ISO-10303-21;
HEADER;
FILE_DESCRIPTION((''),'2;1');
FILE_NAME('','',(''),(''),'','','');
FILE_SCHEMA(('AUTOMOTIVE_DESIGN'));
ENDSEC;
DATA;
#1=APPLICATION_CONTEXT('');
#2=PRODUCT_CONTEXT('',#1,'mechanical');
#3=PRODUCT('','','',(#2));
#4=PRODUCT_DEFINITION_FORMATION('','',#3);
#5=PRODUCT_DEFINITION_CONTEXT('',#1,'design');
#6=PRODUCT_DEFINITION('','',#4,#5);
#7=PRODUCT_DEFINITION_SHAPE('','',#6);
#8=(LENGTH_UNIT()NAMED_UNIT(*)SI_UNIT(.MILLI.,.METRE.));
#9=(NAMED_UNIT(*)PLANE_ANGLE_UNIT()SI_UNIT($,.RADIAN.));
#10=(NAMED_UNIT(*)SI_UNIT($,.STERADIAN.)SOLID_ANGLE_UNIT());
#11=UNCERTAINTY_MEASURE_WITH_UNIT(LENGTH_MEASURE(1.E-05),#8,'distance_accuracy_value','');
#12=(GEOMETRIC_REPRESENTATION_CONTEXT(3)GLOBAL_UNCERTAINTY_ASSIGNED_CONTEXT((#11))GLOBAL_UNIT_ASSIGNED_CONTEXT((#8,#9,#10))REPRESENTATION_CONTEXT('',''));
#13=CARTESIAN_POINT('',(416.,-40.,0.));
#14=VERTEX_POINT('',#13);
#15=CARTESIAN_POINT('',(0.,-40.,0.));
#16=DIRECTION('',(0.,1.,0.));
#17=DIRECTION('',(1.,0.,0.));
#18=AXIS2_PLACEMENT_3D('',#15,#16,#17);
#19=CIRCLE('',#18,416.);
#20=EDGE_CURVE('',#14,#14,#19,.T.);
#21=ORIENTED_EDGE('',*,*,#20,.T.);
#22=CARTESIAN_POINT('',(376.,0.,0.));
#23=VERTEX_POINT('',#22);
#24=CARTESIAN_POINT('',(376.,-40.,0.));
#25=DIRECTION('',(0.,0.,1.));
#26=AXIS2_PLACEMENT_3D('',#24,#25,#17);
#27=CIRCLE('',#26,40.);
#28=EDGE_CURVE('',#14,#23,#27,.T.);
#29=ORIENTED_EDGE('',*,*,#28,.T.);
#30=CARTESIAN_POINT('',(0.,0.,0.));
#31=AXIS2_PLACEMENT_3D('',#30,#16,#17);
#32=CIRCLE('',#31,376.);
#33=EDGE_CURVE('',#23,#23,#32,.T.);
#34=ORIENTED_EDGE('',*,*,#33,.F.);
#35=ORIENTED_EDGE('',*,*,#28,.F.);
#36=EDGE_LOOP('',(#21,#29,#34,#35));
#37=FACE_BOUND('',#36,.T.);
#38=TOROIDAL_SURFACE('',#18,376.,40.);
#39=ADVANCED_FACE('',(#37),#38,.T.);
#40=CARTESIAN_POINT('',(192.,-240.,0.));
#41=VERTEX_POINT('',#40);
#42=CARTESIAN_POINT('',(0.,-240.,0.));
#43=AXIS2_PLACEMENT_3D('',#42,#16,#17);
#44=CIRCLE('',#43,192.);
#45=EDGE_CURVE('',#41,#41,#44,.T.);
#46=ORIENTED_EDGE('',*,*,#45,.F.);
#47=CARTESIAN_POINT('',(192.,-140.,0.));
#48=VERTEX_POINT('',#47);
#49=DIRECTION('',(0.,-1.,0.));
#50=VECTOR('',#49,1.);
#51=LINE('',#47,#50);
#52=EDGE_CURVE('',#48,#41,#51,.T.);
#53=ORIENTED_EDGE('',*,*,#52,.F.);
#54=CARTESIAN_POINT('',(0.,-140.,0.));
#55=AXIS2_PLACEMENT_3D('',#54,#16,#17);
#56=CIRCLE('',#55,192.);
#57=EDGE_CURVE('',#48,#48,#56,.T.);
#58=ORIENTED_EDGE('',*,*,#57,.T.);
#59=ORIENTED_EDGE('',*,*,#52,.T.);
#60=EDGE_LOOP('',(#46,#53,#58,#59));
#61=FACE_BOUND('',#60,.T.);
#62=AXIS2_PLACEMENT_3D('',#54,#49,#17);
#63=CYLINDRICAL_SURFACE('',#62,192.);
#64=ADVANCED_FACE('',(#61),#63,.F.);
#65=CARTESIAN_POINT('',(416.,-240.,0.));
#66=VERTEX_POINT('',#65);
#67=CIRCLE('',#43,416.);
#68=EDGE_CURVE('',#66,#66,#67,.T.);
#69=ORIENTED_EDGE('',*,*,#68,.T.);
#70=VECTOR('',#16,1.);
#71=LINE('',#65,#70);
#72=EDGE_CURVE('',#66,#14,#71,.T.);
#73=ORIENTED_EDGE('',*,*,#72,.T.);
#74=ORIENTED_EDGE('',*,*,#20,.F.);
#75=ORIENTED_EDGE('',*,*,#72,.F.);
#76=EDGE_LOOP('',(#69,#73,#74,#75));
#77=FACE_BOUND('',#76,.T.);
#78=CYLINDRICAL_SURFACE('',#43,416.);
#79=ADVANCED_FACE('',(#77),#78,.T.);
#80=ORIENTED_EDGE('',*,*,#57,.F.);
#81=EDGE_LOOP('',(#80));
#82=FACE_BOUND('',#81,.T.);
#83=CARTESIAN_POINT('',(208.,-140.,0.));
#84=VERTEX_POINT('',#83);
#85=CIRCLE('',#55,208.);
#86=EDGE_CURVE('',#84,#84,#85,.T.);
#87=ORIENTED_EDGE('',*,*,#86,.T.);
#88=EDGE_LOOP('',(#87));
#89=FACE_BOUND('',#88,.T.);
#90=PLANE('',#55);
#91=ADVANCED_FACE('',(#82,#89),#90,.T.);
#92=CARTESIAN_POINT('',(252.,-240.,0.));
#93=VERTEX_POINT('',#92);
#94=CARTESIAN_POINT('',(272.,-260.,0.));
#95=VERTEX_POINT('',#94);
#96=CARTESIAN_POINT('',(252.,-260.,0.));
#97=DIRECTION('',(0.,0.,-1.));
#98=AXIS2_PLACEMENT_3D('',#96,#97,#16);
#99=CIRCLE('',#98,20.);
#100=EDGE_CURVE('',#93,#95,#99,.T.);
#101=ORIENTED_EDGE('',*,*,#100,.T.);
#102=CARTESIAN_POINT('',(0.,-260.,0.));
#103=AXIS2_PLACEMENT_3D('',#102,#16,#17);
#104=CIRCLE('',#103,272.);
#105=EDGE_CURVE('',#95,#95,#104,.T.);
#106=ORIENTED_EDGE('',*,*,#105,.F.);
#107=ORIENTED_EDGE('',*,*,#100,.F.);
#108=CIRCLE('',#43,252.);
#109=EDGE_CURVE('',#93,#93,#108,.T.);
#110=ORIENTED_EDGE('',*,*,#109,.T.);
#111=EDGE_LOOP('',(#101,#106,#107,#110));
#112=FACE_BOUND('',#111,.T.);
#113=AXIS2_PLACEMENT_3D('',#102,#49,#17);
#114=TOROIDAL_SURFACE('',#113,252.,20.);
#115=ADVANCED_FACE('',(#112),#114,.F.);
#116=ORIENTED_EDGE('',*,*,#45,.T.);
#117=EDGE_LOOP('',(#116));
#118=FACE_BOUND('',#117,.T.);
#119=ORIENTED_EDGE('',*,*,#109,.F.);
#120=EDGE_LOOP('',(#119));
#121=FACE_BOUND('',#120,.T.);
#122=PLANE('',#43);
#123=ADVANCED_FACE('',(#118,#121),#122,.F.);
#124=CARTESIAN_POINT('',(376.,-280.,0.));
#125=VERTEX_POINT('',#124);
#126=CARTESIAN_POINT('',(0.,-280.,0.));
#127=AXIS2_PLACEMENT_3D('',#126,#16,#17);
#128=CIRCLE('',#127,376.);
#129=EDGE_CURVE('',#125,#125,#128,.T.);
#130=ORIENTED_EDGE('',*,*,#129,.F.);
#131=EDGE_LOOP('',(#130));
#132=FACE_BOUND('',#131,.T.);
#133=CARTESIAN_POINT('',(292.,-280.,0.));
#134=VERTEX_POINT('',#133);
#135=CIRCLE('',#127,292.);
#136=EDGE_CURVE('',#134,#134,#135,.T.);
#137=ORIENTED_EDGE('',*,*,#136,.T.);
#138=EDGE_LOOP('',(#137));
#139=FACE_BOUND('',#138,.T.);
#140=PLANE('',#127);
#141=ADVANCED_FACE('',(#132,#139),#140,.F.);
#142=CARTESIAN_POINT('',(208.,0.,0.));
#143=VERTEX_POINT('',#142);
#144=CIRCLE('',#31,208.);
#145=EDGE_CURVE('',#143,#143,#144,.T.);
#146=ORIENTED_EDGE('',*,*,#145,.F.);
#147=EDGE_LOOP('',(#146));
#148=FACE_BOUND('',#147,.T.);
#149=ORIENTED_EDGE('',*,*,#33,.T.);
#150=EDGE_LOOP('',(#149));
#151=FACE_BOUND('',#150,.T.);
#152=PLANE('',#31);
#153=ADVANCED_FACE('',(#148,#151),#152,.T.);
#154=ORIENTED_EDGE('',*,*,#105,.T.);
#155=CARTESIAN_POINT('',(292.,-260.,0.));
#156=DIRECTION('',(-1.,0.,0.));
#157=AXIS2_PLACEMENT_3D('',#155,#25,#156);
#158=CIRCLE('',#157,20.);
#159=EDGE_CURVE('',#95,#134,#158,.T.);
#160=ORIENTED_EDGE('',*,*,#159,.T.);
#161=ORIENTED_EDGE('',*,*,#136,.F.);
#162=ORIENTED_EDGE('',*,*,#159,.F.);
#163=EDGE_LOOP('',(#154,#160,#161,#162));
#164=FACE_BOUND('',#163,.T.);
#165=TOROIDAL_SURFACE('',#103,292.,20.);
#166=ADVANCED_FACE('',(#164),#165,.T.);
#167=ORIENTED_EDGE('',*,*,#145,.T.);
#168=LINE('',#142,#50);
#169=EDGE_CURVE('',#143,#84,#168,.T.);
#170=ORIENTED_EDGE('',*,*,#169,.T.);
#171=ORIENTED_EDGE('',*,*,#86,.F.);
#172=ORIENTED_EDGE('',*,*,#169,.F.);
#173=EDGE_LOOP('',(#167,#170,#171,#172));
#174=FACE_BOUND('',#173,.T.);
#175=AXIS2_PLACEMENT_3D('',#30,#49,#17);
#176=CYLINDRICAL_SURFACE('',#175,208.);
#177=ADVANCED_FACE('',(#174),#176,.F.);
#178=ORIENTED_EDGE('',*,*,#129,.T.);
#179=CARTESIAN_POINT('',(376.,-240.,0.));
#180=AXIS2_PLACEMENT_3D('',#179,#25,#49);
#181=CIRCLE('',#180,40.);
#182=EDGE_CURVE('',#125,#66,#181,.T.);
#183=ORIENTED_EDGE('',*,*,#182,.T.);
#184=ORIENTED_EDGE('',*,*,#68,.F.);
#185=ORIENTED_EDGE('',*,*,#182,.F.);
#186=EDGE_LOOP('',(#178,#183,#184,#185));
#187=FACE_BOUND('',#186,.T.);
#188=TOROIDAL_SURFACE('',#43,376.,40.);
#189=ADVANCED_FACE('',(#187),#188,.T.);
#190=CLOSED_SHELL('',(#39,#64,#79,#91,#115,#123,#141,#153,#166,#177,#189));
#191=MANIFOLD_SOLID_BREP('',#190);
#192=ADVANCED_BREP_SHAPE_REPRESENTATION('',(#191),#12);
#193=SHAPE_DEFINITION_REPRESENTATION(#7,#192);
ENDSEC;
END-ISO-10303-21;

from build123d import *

# Parameters (mm, degrees)
F2_SCALE = 40


with BuildPart() as f1:
    # F0 (on Top) → F1 (revolve)
    with BuildSketch(Plane.XY):
        with BuildLine():
            Line((9.4, 0), (5.2, 0))
            Line((5.2, 0), (5.2, -3.5))
            Line((5.2, -3.5), (4.8, -3.5))
            Line((4.8, -3.5), (4.8, -6))
            Line((4.8, -6), (6.3, -6))
            ThreePointArc((6.3, -6), (6.6535533906, -6.1464466094), (6.8, -6.5))
            ThreePointArc((6.8, -6.5), (6.9464466094, -6.8535533906), (7.3, -7))
            Line((7.3, -7), (9.4, -7))
            ThreePointArc((9.4, -7), (10.1071067812, -6.7071067812), (10.4, -6))
            Line((10.4, -6), (10.4, -1))
            ThreePointArc((10.4, -1), (10.1071067812, -0.2928932188), (9.4, 0))
        make_face()
    revolve(axis=Axis((0, 3.2675411378, 0), (0, 1, 0)))


with BuildPart() as f1_1:
    # F2: moved
    add(f1.part.scale(F2_SCALE))


solid = f1_1.part
